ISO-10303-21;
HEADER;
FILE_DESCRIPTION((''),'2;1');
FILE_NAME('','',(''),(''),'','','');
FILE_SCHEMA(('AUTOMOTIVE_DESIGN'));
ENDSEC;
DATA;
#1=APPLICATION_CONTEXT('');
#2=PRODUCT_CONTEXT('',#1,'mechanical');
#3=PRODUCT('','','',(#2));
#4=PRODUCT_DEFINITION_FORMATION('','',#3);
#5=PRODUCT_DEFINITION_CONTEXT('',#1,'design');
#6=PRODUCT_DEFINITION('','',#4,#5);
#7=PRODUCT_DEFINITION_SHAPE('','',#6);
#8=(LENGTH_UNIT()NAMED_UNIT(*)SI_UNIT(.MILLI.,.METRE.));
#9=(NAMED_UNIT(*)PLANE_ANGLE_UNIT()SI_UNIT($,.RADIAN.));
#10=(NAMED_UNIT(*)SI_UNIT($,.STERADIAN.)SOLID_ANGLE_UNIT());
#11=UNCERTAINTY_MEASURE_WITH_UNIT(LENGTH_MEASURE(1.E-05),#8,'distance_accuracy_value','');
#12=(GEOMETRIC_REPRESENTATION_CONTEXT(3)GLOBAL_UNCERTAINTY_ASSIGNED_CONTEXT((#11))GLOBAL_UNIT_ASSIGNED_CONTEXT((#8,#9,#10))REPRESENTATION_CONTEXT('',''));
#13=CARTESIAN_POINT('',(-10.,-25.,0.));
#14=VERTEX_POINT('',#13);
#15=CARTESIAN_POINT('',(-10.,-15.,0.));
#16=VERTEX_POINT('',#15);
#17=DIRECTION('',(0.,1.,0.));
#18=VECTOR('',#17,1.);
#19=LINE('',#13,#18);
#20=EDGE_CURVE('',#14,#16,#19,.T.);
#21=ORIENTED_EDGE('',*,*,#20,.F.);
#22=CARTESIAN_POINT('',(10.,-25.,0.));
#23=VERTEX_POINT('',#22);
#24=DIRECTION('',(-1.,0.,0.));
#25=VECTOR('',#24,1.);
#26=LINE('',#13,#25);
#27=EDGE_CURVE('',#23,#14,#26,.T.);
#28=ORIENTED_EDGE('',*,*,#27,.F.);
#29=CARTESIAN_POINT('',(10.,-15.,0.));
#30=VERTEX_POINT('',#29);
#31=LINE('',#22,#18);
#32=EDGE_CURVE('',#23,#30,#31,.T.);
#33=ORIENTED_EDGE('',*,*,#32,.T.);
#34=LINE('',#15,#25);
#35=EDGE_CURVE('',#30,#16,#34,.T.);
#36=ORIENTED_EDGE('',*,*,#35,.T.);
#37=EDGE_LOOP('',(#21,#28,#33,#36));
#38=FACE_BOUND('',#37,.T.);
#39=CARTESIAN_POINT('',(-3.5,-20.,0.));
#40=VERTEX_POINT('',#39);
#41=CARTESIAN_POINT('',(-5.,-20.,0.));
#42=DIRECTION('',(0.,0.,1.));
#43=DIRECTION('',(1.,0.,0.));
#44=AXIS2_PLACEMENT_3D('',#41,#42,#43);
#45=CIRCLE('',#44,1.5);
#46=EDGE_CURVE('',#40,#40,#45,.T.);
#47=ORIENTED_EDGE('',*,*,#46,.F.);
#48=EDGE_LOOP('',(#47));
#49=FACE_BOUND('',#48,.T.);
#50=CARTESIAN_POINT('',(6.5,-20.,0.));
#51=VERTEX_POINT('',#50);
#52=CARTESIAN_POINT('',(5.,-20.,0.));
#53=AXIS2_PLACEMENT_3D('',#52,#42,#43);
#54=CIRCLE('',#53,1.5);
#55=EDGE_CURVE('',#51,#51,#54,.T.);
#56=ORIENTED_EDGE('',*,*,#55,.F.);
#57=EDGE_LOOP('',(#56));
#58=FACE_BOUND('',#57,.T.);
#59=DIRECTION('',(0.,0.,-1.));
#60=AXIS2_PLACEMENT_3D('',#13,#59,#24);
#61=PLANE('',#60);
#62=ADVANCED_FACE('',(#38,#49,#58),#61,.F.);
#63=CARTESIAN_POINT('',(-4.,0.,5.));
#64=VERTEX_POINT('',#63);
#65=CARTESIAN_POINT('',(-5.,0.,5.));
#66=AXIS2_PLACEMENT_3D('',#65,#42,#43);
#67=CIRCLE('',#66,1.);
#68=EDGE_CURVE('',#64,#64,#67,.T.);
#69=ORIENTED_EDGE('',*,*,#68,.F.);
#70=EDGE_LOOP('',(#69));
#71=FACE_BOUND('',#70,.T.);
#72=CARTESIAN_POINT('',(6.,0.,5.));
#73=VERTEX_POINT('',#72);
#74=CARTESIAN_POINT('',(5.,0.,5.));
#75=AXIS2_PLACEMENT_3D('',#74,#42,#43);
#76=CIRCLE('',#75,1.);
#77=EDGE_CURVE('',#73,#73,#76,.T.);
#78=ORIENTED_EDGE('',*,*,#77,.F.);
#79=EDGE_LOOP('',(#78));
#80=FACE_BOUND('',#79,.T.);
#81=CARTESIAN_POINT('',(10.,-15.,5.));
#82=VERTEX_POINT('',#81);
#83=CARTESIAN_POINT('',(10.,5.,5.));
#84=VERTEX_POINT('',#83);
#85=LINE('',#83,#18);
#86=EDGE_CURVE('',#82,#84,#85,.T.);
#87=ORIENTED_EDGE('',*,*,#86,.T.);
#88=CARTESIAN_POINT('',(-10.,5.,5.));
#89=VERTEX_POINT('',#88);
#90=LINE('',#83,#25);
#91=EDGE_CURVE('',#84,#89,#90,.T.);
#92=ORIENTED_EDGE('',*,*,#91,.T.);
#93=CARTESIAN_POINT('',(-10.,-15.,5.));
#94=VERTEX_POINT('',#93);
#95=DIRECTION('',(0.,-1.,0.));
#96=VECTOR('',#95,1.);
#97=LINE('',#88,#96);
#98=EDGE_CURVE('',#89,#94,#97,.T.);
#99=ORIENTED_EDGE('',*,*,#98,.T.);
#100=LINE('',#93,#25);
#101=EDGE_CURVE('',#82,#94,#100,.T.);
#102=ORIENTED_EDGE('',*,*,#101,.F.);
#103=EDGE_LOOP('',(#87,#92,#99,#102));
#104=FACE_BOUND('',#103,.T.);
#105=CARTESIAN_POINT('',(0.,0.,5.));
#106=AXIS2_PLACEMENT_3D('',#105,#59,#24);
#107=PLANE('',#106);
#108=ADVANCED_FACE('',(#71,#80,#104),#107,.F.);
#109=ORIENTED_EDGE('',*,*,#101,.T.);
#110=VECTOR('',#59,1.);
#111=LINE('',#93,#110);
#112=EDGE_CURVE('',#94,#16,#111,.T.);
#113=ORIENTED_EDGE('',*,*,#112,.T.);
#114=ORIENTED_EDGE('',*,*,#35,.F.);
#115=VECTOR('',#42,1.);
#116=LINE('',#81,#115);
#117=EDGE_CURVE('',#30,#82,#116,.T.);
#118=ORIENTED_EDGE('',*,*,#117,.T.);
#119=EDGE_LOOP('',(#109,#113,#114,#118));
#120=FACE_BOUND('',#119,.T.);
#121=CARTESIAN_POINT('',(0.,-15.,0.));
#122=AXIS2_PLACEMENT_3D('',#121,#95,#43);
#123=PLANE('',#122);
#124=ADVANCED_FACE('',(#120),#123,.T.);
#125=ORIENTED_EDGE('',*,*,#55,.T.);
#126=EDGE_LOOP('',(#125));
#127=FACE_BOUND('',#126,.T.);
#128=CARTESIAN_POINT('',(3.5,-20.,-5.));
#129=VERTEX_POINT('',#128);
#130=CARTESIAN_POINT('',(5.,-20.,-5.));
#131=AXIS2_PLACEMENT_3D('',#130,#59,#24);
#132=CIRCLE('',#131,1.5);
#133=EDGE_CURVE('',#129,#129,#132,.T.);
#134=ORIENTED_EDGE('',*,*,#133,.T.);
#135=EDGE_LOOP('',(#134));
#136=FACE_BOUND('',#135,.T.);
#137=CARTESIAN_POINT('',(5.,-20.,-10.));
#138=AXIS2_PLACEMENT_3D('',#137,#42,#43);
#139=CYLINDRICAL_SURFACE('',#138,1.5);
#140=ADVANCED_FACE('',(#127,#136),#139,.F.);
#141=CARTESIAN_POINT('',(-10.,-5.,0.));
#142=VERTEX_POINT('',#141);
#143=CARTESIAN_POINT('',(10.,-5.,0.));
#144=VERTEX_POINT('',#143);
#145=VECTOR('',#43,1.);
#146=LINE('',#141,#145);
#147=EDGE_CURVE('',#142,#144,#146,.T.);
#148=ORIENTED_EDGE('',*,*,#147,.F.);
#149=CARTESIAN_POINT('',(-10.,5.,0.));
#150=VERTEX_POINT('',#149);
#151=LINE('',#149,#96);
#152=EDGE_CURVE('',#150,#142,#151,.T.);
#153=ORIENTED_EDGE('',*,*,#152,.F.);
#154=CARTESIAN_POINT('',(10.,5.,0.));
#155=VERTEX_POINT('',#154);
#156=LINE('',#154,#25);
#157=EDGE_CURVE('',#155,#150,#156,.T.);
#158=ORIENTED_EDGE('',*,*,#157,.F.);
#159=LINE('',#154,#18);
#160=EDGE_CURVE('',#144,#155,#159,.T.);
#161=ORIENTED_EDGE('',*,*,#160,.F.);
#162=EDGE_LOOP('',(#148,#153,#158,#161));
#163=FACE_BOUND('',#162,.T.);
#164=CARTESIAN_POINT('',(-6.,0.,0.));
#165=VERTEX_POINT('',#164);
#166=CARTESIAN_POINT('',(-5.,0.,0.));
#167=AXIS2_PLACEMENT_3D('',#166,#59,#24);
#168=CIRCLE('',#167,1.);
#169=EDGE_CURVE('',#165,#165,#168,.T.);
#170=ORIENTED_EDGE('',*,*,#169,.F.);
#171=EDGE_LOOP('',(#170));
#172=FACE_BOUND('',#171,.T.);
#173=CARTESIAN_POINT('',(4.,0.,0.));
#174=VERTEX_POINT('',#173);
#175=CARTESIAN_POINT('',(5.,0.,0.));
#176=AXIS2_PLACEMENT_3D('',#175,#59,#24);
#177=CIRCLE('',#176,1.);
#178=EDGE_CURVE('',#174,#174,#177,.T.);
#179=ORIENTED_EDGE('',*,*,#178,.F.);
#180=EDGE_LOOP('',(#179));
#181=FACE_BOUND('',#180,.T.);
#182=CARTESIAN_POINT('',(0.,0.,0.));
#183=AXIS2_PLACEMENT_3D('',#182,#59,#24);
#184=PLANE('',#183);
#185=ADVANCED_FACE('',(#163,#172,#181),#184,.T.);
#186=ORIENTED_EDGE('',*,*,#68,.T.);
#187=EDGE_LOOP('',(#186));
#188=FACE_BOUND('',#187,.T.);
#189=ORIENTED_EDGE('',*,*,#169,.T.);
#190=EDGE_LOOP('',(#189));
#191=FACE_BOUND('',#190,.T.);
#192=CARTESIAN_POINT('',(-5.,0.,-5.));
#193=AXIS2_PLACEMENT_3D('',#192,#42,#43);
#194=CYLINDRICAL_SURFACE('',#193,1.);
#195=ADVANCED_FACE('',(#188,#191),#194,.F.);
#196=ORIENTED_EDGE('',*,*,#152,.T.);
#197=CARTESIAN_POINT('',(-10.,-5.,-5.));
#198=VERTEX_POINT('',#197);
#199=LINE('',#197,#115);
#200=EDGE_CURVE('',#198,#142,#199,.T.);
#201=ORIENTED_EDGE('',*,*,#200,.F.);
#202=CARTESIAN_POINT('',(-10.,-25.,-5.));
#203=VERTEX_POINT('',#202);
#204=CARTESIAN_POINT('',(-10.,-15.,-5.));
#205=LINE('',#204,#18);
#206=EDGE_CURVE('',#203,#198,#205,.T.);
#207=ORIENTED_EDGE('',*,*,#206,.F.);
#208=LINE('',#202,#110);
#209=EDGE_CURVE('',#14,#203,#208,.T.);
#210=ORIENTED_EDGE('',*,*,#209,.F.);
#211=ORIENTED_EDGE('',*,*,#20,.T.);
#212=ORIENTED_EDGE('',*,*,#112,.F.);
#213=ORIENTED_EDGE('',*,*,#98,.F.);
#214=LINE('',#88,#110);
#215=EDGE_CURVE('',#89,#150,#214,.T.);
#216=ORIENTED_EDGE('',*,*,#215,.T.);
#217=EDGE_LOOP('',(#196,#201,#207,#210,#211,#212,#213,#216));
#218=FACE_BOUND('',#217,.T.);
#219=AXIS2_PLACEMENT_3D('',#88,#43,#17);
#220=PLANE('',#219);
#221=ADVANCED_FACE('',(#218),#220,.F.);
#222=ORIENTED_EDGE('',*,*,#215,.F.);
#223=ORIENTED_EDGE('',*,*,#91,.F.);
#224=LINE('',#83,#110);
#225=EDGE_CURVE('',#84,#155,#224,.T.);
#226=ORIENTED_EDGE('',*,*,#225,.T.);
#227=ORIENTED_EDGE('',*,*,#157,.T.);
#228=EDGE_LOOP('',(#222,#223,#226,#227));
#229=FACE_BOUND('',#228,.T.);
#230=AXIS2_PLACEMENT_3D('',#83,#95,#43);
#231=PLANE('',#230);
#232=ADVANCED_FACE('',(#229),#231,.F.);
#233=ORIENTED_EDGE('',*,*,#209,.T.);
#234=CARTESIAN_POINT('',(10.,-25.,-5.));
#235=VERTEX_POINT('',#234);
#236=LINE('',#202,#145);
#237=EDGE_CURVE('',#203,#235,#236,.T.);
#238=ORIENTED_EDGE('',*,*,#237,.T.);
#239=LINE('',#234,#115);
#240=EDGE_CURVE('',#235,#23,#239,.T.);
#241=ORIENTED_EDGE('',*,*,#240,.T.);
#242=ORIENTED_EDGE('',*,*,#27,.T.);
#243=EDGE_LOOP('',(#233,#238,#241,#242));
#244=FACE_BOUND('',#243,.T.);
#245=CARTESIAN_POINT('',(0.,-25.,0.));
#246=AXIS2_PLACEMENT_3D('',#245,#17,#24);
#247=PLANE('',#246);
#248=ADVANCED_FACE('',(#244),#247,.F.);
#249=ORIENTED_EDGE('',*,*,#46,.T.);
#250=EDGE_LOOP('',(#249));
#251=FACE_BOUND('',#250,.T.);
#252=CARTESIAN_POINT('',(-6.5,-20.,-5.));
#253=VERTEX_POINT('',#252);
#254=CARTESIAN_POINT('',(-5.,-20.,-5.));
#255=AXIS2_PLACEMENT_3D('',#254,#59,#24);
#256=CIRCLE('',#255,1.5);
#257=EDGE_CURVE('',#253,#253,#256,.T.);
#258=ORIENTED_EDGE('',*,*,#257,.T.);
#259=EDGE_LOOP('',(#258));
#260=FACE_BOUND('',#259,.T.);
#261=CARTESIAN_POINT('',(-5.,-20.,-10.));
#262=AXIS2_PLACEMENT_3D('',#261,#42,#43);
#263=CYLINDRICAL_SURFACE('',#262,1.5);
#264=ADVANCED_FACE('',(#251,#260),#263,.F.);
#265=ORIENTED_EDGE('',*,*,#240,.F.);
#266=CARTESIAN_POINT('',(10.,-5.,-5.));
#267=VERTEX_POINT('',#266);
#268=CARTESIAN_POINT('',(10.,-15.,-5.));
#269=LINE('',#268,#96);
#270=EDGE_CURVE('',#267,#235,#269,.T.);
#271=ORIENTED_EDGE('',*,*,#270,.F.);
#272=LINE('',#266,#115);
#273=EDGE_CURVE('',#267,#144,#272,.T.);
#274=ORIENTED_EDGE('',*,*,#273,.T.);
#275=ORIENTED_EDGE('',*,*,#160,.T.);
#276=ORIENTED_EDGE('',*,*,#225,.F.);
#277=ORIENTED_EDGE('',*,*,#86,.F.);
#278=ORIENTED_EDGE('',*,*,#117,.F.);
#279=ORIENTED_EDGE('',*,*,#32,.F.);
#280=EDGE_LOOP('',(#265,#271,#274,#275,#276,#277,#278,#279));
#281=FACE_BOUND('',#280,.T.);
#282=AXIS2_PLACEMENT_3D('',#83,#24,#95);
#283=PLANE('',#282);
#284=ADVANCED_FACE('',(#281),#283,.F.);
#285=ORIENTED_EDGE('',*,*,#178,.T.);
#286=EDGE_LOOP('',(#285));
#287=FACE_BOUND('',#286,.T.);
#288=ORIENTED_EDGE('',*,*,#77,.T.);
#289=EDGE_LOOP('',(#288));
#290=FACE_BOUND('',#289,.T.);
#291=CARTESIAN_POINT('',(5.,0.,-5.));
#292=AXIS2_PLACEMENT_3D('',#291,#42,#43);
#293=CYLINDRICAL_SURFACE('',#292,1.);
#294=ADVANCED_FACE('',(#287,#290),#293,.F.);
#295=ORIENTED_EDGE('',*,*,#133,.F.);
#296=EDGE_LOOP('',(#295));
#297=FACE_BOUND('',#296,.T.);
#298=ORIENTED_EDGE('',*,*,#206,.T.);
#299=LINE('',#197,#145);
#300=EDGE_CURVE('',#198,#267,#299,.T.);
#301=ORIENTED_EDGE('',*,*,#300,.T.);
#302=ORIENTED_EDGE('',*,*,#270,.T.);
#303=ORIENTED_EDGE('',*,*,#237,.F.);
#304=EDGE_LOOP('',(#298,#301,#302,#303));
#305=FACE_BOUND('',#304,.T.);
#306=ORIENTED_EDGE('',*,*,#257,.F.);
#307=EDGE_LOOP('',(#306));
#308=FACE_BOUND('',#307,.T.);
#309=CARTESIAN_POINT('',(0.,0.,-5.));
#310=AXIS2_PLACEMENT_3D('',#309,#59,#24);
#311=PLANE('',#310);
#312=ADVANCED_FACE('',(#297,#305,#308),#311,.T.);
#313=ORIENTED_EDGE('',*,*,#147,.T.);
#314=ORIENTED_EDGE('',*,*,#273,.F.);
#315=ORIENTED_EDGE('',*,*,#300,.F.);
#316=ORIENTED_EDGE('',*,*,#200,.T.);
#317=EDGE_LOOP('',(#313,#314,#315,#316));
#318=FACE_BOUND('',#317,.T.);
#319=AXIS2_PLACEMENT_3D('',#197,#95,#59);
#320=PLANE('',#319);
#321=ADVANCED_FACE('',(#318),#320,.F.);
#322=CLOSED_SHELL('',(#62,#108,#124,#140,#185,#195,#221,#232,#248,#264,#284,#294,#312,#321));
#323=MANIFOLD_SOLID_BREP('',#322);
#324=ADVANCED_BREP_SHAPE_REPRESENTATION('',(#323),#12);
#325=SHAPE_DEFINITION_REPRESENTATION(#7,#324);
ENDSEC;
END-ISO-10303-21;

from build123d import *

# Parameters (mm, degrees)
SKETCH1_W           = 20
SKETCH1_H           = 10
BOSS_EXTRUDE1_DEPTH = 5
SKETCH2_W           = 20
SKETCH2_H           = 5
BOSS_EXTRUDE2_DEPTH = 10
SKETCH3_W           = 20
SKETCH3_H           = 10
BOSS_EXTRUDE3_DEPTH = 5
SKETCH5_R           = 1
CUT_EXTRUDE1_DEPTH  = 10
SKETCH7_W           = 20
SKETCH7_H           = 5
BOSS_EXTRUDE5_DEPTH = 10
SKETCH8_R           = 1.5
CUT_EXTRUDE3_DEPTH  = 10


with BuildPart() as part:
    # Sketch1 → Boss-Extrude1 (new body)
    with BuildSketch(Plane.XY):
        Rectangle(SKETCH1_W, SKETCH1_H)
    extrude(amount=BOSS_EXTRUDE1_DEPTH)

    # Sketch2 → Boss-Extrude2 (add)
    with BuildSketch(Plane.XZ.offset(5)):
        with Locations((0, 2.5)):
            Rectangle(SKETCH2_W, SKETCH2_H)
    extrude(amount=BOSS_EXTRUDE2_DEPTH)

    # Sketch3 → Boss-Extrude3 (add)
    with BuildSketch(Plane(origin=(0, 0, 0), x_dir=(-1, 0, 0), z_dir=(0, 0, -1))):
        with Locations((0, -10)):
            Rectangle(SKETCH3_W, SKETCH3_H)
    extrude(amount=BOSS_EXTRUDE3_DEPTH)

    # Sketch5 → Cut-Extrude1 (cut)
    with BuildSketch(Plane.XY.offset(5)):
        with Locations((-5, 0)):
            Circle(SKETCH5_R)
        with Locations((5, 0)):
            Circle(SKETCH5_R)
    extrude(amount=-CUT_EXTRUDE1_DEPTH, mode=Mode.SUBTRACT)

    # Sketch7 → Boss-Extrude5 (add)
    with BuildSketch(Plane.XZ.offset(15)):
        with Locations((0, -2.5)):
            Rectangle(SKETCH7_W, SKETCH7_H)
    extrude(amount=BOSS_EXTRUDE5_DEPTH)

    # Sketch8 → Cut-Extrude3 (cut)
    with BuildSketch(Plane.XY):
        with Locations((-5, -20)):
            Circle(SKETCH8_R)
        with Locations((5, -20)):
            Circle(SKETCH8_R)
    extrude(amount=-CUT_EXTRUDE3_DEPTH, mode=Mode.SUBTRACT)


solid = part.part
